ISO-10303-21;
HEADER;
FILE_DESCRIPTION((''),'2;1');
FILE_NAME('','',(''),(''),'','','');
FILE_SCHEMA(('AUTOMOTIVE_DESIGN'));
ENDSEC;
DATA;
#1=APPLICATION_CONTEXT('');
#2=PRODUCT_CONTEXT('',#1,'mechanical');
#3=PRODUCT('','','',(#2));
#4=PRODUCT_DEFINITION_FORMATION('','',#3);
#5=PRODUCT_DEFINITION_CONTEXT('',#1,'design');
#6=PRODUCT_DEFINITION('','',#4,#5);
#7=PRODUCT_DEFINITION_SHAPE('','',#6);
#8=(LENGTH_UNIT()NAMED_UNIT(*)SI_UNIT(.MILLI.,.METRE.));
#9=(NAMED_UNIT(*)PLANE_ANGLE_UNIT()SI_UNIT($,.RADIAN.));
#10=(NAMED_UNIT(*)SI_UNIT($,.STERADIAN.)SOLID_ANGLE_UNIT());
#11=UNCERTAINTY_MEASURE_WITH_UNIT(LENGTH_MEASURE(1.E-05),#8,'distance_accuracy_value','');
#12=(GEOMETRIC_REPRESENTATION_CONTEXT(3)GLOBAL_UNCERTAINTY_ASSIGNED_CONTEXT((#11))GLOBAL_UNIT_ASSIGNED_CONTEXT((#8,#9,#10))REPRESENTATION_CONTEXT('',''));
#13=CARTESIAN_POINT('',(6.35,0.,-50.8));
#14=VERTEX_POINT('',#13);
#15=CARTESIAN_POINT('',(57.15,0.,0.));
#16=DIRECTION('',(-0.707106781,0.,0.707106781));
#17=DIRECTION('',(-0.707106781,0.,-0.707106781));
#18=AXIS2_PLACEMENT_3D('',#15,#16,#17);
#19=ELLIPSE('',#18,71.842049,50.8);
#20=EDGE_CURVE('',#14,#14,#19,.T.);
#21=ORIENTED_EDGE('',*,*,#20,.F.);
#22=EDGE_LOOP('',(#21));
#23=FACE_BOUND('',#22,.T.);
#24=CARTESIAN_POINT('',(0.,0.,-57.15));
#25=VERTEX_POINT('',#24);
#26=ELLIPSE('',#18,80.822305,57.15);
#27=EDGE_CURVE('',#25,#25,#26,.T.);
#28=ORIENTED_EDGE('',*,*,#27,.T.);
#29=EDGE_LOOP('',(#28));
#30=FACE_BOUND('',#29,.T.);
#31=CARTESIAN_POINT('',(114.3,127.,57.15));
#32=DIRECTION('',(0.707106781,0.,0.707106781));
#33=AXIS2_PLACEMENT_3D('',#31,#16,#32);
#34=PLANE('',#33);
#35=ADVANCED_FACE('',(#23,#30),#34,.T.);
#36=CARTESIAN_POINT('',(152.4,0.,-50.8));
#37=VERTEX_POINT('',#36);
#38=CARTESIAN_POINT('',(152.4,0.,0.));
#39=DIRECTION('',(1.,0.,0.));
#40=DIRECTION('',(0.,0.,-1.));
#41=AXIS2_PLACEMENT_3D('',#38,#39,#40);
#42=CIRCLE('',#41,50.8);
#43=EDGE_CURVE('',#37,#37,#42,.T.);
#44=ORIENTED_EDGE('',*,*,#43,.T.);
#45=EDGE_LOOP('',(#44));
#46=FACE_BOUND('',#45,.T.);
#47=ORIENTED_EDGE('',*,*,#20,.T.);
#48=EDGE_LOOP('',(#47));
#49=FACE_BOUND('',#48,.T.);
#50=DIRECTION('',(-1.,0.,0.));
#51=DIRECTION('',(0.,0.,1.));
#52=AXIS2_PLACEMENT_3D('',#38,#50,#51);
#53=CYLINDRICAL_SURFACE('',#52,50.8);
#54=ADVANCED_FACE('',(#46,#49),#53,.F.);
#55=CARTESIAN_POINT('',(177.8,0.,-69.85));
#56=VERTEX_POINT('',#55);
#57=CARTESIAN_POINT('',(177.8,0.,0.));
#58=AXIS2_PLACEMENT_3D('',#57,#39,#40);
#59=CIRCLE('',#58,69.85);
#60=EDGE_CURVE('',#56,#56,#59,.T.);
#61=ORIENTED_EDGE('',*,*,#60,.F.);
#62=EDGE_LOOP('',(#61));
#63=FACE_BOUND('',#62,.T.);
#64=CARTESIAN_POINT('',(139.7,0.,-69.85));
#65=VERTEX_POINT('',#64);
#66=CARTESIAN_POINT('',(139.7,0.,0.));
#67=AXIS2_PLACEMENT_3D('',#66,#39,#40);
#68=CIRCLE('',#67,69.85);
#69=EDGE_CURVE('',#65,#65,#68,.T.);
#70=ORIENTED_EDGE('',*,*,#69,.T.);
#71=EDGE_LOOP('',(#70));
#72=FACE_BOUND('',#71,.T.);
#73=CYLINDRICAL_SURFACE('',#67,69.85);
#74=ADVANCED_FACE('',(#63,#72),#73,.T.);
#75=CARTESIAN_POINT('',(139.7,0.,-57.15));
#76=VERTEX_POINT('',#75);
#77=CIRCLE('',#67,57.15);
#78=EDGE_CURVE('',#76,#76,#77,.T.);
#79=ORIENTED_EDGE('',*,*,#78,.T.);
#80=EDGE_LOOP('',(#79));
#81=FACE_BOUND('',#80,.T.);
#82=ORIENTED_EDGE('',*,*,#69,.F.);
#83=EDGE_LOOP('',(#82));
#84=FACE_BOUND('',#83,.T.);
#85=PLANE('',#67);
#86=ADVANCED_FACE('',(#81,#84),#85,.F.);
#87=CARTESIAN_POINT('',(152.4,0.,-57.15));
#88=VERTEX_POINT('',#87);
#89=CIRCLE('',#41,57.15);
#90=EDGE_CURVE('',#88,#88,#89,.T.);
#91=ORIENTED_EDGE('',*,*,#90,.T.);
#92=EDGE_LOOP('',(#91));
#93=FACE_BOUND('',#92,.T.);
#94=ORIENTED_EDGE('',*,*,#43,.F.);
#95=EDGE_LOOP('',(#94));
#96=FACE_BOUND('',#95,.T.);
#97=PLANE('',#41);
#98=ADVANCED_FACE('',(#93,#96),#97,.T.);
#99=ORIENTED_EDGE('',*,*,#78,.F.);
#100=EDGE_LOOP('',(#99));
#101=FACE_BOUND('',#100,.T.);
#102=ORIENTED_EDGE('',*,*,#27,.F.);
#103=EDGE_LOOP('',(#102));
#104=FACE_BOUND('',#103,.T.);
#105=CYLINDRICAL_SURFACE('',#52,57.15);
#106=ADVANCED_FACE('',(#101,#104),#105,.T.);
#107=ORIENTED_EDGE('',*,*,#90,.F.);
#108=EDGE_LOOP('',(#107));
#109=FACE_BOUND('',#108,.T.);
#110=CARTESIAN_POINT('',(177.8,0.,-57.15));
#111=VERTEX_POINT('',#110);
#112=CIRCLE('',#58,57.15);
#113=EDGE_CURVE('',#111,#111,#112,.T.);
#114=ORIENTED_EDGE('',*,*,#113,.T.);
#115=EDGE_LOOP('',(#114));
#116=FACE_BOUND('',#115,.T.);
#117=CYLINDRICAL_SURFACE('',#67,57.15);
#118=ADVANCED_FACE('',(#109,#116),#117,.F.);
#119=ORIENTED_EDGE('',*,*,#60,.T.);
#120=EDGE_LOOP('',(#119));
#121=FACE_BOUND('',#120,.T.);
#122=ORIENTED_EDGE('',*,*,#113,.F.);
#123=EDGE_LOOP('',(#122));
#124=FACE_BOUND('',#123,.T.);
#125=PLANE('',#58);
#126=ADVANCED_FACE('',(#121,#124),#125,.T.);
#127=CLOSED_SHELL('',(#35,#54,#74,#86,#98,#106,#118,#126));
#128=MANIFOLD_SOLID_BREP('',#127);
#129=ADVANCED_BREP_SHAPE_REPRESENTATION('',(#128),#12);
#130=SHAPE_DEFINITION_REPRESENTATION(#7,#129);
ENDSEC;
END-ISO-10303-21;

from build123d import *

# Parameters (mm, degrees)
SKETCH3_R                = 57.15
SKETCH3_R_2              = 50.8
BOSS_EXTRUDE2_DEPTH      = 152.4
BOSS_EXTRUDE3_DEPTH      = 25.4
BOSS_EXTRUDE3_DEPTH_BACK = 12.7
SKETCH4_R                = 69.85
SKETCH4_R_2              = 57.15
CUT_EXTRUDE1_DEPTH       = 127
CUT_EXTRUDE1_DEPTH_BACK  = 127


with BuildPart() as part:
    # Sketch3 → Boss-Extrude2 (new body)
    with BuildSketch(Plane(origin=(0, 0, 0), x_dir=(0, 0, -1), z_dir=(1, 0, 0))):
        Circle(SKETCH3_R)
        Circle(SKETCH3_R_2, mode=Mode.SUBTRACT)
    extrude(amount=BOSS_EXTRUDE2_DEPTH)

    # Sketch4 → Boss-Extrude3 (add, two sides: drawn at the far end of the back side and taken through both)
    with BuildSketch(Plane(origin=(152.4, 0, 0), x_dir=(0, 0, -1), z_dir=(1, 0, 0)).offset(-BOSS_EXTRUDE3_DEPTH_BACK)):
        Circle(SKETCH4_R)
        Circle(SKETCH4_R_2, mode=Mode.SUBTRACT)
    extrude(amount=BOSS_EXTRUDE3_DEPTH + BOSS_EXTRUDE3_DEPTH_BACK)

    # Sketch5 → Cut-Extrude1 (cut, two sides: drawn at the far end of the back side and taken through both)
    with BuildSketch(Plane(origin=(0, 0, 0), x_dir=(1, 0, 0), z_dir=(0, 1, 0)).offset(-CUT_EXTRUDE1_DEPTH_BACK)):
        Polygon((0, -57.15), (114.3, -57.15), (0, 57.15), align=None)
    extrude(amount=CUT_EXTRUDE1_DEPTH + CUT_EXTRUDE1_DEPTH_BACK, mode=Mode.SUBTRACT)


solid = part.part
